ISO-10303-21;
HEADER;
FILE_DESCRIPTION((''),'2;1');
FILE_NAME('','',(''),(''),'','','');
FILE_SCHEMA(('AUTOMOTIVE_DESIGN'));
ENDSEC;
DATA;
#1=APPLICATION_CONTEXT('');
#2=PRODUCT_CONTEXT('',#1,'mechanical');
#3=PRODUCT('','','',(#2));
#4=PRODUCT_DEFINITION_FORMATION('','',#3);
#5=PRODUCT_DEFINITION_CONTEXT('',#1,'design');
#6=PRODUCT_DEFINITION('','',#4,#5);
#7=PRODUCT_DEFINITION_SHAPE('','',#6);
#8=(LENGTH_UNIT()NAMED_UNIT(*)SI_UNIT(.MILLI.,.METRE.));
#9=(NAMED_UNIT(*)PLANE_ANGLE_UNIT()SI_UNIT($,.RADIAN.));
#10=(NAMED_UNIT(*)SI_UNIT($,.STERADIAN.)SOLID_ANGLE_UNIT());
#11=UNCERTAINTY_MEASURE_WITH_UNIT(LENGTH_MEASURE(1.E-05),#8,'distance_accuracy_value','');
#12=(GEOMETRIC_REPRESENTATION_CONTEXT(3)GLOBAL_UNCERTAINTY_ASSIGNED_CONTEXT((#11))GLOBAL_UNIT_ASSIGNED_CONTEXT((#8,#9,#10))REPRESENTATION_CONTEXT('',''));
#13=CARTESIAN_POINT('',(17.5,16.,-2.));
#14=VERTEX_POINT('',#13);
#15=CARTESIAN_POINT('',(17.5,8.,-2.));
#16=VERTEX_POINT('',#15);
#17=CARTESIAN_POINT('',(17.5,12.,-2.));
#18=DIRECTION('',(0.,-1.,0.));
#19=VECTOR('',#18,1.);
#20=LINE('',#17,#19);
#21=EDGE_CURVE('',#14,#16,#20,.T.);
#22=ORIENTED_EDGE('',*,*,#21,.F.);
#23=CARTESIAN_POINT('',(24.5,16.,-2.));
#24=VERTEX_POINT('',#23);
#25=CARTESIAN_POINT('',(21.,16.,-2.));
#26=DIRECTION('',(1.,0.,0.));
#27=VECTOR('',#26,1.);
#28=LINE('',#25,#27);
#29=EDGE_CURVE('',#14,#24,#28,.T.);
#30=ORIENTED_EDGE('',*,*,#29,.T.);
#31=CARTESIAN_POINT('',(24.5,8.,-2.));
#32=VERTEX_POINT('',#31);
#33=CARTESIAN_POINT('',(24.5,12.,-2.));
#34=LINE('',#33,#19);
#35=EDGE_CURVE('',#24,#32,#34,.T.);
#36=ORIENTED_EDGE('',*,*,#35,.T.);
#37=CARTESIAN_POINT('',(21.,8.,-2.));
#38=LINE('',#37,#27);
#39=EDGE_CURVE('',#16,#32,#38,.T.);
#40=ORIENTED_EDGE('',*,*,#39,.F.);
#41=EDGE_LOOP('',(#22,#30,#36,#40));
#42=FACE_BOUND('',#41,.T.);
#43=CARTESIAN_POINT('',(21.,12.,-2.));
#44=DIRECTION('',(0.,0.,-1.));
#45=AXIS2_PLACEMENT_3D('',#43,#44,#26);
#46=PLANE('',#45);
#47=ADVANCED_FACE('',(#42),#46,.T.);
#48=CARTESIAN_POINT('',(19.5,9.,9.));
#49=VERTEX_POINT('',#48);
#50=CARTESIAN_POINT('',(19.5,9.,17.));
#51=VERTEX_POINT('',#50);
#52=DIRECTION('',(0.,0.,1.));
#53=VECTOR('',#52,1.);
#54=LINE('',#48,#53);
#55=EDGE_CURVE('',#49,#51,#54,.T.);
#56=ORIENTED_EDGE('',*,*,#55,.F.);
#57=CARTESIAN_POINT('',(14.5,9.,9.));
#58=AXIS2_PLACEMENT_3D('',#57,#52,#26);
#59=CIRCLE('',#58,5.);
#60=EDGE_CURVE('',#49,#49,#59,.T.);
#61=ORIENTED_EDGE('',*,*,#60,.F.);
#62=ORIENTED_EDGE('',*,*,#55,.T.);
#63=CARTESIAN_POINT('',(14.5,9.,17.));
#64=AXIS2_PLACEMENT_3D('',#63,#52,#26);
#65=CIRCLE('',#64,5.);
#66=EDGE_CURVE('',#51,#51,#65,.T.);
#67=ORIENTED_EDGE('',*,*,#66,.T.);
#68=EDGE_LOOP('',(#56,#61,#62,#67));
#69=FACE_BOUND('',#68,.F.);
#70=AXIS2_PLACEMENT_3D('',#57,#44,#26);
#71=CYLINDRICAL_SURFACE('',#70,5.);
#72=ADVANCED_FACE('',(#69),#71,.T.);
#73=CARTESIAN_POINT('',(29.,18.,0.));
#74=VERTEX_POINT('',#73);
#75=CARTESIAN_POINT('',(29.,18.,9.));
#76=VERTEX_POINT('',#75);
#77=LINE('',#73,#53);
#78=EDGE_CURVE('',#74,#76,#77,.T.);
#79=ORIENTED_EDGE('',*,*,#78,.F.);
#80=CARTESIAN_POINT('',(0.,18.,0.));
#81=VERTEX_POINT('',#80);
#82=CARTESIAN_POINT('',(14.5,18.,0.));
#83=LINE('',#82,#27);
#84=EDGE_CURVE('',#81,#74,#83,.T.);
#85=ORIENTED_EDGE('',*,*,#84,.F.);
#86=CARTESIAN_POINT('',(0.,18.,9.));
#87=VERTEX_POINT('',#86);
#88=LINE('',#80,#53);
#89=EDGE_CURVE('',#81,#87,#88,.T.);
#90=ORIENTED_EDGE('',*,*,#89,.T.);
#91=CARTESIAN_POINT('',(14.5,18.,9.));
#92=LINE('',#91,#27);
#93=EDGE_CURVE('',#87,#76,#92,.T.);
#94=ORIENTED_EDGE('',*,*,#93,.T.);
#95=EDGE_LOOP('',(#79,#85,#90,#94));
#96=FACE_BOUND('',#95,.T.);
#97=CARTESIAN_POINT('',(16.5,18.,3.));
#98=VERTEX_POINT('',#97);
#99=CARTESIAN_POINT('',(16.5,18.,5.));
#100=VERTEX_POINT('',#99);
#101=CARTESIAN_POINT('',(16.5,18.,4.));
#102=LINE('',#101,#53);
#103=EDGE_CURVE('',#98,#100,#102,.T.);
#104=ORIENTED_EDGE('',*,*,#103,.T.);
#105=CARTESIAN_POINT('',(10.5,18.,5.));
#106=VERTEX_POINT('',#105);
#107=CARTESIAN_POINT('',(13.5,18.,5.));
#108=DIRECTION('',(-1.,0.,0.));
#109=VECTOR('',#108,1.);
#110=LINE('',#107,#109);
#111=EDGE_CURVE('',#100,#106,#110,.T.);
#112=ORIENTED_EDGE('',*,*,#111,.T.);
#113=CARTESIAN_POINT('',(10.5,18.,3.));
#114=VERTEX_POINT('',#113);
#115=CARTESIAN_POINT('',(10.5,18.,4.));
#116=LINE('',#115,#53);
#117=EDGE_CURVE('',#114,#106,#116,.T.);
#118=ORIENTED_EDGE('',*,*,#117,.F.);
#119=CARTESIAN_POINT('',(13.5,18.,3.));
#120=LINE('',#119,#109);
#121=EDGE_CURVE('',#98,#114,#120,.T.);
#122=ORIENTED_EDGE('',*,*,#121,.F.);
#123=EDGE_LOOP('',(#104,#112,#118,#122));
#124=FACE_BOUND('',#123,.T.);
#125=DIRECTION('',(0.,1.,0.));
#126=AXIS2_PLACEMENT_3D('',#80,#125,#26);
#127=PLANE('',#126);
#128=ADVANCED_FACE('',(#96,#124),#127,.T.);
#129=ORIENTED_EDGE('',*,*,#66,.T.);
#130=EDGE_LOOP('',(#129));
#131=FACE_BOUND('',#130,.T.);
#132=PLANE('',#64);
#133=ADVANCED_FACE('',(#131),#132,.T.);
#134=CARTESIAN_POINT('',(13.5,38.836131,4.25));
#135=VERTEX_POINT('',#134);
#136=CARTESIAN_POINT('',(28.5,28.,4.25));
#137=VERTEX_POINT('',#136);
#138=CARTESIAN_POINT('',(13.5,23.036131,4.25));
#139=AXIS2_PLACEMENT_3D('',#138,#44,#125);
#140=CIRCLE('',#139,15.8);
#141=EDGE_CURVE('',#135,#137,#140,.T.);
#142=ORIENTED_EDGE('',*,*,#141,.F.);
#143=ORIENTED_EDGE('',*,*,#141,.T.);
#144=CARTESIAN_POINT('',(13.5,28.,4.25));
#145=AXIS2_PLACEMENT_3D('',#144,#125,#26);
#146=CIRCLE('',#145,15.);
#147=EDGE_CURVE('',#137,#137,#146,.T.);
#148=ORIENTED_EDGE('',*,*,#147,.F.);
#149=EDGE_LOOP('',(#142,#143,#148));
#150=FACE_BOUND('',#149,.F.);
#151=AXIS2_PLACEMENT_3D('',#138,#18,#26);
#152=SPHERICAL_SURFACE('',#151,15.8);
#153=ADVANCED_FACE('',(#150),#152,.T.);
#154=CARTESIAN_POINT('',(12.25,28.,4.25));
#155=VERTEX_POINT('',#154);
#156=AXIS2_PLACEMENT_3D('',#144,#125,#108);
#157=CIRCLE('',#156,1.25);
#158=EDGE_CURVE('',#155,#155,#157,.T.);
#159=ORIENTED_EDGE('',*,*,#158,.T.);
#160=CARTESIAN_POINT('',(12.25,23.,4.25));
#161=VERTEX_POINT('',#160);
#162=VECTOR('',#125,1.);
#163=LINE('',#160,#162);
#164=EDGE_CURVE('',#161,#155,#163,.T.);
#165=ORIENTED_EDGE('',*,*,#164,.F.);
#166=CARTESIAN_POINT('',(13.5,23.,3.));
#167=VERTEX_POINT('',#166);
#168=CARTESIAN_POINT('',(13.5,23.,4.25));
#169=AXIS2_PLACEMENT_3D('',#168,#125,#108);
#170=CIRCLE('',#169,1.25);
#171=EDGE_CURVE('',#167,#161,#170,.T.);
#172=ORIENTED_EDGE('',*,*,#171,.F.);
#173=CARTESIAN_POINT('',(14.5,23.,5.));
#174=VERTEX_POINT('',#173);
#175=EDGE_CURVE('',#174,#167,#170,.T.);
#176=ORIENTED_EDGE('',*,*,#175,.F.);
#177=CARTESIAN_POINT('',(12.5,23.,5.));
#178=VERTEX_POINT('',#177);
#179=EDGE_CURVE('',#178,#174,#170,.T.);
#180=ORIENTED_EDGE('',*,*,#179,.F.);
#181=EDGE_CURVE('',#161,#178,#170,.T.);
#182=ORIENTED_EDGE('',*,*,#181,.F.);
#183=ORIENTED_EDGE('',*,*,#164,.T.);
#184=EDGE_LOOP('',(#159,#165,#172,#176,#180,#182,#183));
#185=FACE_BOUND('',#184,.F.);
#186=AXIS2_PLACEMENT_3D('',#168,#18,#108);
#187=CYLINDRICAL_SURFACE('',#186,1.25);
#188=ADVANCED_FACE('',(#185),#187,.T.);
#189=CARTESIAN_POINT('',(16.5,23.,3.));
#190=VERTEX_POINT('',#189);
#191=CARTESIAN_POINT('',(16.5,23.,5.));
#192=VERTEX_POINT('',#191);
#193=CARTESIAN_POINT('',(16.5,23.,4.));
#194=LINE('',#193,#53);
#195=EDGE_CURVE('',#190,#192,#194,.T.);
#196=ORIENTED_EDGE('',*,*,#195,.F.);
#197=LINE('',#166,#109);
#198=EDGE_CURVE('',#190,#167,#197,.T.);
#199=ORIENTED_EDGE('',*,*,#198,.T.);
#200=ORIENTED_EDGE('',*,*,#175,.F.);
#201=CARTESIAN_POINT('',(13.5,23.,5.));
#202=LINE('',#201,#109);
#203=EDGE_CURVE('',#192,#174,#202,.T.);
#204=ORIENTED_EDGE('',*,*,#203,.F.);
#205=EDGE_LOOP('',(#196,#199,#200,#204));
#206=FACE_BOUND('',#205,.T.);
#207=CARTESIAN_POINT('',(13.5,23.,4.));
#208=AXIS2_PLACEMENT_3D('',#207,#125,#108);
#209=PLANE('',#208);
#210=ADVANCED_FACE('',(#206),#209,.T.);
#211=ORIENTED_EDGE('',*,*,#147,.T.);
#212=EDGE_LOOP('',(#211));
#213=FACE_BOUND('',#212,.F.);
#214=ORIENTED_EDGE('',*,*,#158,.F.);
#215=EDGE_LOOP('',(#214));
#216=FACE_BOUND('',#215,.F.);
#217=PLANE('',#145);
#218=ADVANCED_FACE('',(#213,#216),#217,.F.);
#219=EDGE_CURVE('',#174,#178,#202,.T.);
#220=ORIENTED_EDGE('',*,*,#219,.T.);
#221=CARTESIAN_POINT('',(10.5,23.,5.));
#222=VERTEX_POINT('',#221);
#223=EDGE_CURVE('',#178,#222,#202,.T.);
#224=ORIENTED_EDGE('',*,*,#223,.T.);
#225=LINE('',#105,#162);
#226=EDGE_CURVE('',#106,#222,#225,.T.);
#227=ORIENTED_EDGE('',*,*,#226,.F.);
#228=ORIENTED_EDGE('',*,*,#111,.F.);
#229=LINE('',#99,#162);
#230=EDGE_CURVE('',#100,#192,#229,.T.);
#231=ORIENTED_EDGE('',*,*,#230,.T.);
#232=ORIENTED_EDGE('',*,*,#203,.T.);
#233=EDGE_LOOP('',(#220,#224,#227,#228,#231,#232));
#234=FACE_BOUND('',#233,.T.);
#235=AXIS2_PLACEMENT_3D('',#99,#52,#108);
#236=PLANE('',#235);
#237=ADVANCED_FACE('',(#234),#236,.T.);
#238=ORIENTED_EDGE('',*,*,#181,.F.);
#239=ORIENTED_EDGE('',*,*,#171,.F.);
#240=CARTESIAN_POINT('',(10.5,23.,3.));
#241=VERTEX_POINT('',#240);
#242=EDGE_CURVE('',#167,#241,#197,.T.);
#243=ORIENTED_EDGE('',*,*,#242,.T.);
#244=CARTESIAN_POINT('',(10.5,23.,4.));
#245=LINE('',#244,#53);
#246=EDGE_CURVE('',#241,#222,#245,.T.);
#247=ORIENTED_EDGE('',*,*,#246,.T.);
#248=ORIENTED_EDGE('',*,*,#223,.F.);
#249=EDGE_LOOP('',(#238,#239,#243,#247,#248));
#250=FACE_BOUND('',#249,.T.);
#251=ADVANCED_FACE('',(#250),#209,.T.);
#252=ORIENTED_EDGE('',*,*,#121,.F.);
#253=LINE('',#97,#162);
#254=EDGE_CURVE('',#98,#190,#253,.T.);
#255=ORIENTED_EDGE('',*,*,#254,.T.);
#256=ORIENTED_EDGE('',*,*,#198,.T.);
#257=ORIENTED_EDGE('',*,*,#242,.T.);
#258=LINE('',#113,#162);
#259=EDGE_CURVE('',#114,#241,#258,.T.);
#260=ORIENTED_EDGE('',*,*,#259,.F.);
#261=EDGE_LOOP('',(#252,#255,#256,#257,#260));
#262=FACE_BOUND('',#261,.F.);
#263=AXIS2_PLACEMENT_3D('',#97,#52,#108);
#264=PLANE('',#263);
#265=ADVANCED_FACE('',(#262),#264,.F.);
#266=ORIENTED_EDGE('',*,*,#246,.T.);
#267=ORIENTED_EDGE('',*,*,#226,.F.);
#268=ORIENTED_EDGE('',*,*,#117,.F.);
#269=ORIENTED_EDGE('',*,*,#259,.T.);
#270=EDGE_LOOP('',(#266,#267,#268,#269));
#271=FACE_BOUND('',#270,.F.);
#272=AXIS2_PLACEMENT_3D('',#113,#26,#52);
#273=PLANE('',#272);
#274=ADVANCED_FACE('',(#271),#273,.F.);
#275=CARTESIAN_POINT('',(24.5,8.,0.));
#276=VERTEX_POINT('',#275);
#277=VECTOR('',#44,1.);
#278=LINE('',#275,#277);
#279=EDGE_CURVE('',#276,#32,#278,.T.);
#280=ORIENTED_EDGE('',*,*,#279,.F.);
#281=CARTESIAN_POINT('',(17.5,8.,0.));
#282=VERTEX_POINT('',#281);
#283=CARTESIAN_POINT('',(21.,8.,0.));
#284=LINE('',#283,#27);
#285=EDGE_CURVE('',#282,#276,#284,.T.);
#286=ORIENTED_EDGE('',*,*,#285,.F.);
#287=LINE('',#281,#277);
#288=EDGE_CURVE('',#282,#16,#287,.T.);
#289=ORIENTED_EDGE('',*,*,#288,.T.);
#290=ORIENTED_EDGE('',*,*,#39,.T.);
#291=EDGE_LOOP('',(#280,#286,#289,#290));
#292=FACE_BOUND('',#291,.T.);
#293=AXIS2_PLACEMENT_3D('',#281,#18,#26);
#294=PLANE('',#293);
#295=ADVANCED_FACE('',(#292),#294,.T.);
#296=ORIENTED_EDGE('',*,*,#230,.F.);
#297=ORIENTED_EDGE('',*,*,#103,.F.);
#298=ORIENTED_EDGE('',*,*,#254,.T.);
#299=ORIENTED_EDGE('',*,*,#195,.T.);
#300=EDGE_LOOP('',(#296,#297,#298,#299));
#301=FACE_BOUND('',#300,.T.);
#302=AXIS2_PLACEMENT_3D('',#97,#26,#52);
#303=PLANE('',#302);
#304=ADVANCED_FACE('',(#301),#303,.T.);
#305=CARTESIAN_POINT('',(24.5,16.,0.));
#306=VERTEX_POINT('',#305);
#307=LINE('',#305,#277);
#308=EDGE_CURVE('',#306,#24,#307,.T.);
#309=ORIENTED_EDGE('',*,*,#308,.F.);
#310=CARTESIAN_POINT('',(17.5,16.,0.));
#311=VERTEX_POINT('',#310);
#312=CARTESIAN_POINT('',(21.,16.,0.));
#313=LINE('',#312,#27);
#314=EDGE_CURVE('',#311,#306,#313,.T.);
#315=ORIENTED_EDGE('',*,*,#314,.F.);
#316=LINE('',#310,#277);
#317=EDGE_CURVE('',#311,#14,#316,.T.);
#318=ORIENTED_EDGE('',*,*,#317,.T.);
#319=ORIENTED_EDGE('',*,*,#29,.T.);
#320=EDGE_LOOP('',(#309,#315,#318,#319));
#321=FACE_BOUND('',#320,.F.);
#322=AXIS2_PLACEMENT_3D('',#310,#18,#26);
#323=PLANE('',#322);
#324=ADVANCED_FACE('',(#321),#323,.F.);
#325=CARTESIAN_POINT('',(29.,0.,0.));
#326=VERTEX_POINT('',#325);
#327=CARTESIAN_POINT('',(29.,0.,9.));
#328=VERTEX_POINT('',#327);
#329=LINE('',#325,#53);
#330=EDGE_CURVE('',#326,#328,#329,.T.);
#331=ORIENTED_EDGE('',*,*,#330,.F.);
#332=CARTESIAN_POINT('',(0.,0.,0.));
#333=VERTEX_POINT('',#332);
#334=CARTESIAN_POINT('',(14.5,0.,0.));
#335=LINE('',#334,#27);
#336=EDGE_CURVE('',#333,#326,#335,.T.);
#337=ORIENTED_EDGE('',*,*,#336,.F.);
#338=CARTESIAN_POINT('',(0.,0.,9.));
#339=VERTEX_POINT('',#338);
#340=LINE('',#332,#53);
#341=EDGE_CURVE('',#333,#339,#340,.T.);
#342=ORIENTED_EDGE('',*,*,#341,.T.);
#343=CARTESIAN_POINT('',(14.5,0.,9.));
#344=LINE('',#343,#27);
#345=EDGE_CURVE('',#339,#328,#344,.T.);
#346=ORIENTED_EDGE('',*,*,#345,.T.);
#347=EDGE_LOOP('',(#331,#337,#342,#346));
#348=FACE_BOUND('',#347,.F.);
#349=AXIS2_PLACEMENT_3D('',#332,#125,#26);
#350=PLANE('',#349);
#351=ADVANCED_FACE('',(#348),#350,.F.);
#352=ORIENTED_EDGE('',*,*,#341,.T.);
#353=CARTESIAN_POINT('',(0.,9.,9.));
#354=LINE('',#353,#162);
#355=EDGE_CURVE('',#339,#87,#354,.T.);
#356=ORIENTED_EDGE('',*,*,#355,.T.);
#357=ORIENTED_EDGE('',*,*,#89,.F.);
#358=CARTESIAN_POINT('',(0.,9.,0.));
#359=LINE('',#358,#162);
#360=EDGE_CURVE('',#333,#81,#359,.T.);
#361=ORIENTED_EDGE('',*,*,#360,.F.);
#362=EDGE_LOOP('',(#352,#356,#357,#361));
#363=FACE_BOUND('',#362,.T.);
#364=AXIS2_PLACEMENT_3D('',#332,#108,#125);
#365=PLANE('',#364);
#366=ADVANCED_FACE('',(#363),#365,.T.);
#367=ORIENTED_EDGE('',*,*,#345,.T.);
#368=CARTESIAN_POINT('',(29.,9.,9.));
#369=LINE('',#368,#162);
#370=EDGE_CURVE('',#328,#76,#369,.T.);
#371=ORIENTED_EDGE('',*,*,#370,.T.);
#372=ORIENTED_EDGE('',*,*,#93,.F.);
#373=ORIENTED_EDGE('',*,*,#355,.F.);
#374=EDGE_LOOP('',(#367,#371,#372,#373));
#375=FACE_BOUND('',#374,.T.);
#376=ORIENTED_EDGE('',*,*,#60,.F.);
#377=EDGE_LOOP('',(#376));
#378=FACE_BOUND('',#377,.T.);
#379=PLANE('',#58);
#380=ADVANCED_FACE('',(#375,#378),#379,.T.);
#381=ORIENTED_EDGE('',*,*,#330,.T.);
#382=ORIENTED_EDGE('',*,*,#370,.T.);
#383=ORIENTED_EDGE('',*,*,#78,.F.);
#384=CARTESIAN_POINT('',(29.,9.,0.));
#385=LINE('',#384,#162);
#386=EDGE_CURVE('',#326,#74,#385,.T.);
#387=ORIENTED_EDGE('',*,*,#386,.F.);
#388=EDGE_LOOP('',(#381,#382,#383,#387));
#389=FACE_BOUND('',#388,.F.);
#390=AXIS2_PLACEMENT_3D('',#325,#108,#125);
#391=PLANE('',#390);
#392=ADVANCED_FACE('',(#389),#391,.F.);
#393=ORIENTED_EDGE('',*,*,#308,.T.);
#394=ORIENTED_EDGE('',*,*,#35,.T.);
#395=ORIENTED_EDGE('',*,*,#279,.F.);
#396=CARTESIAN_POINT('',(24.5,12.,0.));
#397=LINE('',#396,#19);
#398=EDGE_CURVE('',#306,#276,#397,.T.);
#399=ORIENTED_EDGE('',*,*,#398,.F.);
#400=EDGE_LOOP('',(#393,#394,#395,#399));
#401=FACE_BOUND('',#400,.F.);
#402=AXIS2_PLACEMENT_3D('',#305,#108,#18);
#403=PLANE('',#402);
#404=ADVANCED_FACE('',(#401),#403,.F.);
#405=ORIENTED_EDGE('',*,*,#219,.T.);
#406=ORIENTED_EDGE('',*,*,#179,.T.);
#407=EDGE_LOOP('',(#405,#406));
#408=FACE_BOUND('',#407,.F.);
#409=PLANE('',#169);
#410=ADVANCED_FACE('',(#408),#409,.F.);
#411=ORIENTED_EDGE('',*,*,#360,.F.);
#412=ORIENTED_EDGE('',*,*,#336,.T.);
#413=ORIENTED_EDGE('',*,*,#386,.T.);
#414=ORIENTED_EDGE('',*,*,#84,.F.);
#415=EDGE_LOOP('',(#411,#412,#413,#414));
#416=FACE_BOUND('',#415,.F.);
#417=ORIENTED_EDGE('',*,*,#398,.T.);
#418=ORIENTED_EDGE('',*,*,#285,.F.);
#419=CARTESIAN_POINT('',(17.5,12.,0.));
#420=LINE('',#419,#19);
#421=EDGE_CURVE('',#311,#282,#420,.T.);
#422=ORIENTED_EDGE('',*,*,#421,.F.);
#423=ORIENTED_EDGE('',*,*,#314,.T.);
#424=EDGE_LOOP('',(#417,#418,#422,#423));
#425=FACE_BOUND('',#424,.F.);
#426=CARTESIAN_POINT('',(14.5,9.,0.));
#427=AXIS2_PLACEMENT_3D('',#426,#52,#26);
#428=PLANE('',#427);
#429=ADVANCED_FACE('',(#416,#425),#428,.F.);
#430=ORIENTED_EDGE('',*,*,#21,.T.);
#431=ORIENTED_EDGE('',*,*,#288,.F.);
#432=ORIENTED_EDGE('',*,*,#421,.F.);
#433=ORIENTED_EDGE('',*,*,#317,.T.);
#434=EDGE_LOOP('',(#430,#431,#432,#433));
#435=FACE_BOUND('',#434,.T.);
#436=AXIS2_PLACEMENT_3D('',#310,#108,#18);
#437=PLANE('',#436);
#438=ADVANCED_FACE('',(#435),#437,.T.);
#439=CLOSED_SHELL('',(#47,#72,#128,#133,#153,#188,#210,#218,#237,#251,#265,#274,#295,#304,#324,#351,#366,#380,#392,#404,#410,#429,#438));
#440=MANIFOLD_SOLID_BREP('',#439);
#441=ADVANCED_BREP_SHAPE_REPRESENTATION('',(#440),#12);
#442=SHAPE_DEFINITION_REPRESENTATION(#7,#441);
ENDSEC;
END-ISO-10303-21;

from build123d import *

# Parameters (mm, degrees)
F0_W     = 29
F0_H     = 18
F1_DEPTH = 9
F2_R     = 5
F3_DEPTH = 8
F4_W     = 7
F4_H     = 8
F5_DEPTH = 2
F6_W     = 6
F6_H     = 2
F7_DEPTH = 5
F8_R     = 1.25
F9_DEPTH = 5


with BuildPart() as f1:
    # F0 (on Top) → F1 (new body)
    with BuildSketch(Plane.XY):
        with Locations((14.5, 9)):
            Rectangle(F0_W, F0_H)
    extrude(amount=F1_DEPTH)

    # F2 (on face) → F3 (join)
    with BuildSketch(Plane.XY.offset(9)):
        with Locations((14.5, 9)):
            Circle(F2_R)
    extrude(amount=F3_DEPTH)

    # F4 (on face) → F5 (join)
    with BuildSketch(Plane(origin=(0, 0, 0), x_dir=(1, 0, 0), z_dir=(0, 0, -1))):
        with Locations((21, -12)):
            Rectangle(F4_W, F4_H)
    extrude(amount=F5_DEPTH)

    # F6 (on face) → F7 (join)
    with BuildSketch(Plane(origin=(0, 18, 0), x_dir=(-1, 0, 0), z_dir=(0, 1, 0))):
        with Locations((-13.5, 4)):
            Rectangle(F6_W, F6_H)
    extrude(amount=F7_DEPTH)

    # F8 (on face) → F9 (join)
    with BuildSketch(Plane(origin=(0, 23, 0), x_dir=(-1, 0, 0), z_dir=(0, 1, 0))):
        with Locations((-13.5, 4.25)):
            Circle(F8_R)
    extrude(amount=F9_DEPTH)

    # F12 (on plane+point) → F13 (revolve)
    with BuildSketch(Plane(origin=(0, 0, 4.25), x_dir=(1, 0, 0), z_dir=(0, 0, -1))):
        with BuildLine():
            Line((28.5, -28), (14.75, -28))
            Line((14.75, -28), (13.5, -28))
            Line((13.5, -28), (13.5, -38.8361305416))
            ThreePointArc((13.5, -38.8361305416), (22.7523203186, -35.8437286272), (28.5, -28))
        make_face()
    revolve(axis=Axis((13.5, 35.315773949, 4.25), (0, 1, 0)))


solid = f1.part
